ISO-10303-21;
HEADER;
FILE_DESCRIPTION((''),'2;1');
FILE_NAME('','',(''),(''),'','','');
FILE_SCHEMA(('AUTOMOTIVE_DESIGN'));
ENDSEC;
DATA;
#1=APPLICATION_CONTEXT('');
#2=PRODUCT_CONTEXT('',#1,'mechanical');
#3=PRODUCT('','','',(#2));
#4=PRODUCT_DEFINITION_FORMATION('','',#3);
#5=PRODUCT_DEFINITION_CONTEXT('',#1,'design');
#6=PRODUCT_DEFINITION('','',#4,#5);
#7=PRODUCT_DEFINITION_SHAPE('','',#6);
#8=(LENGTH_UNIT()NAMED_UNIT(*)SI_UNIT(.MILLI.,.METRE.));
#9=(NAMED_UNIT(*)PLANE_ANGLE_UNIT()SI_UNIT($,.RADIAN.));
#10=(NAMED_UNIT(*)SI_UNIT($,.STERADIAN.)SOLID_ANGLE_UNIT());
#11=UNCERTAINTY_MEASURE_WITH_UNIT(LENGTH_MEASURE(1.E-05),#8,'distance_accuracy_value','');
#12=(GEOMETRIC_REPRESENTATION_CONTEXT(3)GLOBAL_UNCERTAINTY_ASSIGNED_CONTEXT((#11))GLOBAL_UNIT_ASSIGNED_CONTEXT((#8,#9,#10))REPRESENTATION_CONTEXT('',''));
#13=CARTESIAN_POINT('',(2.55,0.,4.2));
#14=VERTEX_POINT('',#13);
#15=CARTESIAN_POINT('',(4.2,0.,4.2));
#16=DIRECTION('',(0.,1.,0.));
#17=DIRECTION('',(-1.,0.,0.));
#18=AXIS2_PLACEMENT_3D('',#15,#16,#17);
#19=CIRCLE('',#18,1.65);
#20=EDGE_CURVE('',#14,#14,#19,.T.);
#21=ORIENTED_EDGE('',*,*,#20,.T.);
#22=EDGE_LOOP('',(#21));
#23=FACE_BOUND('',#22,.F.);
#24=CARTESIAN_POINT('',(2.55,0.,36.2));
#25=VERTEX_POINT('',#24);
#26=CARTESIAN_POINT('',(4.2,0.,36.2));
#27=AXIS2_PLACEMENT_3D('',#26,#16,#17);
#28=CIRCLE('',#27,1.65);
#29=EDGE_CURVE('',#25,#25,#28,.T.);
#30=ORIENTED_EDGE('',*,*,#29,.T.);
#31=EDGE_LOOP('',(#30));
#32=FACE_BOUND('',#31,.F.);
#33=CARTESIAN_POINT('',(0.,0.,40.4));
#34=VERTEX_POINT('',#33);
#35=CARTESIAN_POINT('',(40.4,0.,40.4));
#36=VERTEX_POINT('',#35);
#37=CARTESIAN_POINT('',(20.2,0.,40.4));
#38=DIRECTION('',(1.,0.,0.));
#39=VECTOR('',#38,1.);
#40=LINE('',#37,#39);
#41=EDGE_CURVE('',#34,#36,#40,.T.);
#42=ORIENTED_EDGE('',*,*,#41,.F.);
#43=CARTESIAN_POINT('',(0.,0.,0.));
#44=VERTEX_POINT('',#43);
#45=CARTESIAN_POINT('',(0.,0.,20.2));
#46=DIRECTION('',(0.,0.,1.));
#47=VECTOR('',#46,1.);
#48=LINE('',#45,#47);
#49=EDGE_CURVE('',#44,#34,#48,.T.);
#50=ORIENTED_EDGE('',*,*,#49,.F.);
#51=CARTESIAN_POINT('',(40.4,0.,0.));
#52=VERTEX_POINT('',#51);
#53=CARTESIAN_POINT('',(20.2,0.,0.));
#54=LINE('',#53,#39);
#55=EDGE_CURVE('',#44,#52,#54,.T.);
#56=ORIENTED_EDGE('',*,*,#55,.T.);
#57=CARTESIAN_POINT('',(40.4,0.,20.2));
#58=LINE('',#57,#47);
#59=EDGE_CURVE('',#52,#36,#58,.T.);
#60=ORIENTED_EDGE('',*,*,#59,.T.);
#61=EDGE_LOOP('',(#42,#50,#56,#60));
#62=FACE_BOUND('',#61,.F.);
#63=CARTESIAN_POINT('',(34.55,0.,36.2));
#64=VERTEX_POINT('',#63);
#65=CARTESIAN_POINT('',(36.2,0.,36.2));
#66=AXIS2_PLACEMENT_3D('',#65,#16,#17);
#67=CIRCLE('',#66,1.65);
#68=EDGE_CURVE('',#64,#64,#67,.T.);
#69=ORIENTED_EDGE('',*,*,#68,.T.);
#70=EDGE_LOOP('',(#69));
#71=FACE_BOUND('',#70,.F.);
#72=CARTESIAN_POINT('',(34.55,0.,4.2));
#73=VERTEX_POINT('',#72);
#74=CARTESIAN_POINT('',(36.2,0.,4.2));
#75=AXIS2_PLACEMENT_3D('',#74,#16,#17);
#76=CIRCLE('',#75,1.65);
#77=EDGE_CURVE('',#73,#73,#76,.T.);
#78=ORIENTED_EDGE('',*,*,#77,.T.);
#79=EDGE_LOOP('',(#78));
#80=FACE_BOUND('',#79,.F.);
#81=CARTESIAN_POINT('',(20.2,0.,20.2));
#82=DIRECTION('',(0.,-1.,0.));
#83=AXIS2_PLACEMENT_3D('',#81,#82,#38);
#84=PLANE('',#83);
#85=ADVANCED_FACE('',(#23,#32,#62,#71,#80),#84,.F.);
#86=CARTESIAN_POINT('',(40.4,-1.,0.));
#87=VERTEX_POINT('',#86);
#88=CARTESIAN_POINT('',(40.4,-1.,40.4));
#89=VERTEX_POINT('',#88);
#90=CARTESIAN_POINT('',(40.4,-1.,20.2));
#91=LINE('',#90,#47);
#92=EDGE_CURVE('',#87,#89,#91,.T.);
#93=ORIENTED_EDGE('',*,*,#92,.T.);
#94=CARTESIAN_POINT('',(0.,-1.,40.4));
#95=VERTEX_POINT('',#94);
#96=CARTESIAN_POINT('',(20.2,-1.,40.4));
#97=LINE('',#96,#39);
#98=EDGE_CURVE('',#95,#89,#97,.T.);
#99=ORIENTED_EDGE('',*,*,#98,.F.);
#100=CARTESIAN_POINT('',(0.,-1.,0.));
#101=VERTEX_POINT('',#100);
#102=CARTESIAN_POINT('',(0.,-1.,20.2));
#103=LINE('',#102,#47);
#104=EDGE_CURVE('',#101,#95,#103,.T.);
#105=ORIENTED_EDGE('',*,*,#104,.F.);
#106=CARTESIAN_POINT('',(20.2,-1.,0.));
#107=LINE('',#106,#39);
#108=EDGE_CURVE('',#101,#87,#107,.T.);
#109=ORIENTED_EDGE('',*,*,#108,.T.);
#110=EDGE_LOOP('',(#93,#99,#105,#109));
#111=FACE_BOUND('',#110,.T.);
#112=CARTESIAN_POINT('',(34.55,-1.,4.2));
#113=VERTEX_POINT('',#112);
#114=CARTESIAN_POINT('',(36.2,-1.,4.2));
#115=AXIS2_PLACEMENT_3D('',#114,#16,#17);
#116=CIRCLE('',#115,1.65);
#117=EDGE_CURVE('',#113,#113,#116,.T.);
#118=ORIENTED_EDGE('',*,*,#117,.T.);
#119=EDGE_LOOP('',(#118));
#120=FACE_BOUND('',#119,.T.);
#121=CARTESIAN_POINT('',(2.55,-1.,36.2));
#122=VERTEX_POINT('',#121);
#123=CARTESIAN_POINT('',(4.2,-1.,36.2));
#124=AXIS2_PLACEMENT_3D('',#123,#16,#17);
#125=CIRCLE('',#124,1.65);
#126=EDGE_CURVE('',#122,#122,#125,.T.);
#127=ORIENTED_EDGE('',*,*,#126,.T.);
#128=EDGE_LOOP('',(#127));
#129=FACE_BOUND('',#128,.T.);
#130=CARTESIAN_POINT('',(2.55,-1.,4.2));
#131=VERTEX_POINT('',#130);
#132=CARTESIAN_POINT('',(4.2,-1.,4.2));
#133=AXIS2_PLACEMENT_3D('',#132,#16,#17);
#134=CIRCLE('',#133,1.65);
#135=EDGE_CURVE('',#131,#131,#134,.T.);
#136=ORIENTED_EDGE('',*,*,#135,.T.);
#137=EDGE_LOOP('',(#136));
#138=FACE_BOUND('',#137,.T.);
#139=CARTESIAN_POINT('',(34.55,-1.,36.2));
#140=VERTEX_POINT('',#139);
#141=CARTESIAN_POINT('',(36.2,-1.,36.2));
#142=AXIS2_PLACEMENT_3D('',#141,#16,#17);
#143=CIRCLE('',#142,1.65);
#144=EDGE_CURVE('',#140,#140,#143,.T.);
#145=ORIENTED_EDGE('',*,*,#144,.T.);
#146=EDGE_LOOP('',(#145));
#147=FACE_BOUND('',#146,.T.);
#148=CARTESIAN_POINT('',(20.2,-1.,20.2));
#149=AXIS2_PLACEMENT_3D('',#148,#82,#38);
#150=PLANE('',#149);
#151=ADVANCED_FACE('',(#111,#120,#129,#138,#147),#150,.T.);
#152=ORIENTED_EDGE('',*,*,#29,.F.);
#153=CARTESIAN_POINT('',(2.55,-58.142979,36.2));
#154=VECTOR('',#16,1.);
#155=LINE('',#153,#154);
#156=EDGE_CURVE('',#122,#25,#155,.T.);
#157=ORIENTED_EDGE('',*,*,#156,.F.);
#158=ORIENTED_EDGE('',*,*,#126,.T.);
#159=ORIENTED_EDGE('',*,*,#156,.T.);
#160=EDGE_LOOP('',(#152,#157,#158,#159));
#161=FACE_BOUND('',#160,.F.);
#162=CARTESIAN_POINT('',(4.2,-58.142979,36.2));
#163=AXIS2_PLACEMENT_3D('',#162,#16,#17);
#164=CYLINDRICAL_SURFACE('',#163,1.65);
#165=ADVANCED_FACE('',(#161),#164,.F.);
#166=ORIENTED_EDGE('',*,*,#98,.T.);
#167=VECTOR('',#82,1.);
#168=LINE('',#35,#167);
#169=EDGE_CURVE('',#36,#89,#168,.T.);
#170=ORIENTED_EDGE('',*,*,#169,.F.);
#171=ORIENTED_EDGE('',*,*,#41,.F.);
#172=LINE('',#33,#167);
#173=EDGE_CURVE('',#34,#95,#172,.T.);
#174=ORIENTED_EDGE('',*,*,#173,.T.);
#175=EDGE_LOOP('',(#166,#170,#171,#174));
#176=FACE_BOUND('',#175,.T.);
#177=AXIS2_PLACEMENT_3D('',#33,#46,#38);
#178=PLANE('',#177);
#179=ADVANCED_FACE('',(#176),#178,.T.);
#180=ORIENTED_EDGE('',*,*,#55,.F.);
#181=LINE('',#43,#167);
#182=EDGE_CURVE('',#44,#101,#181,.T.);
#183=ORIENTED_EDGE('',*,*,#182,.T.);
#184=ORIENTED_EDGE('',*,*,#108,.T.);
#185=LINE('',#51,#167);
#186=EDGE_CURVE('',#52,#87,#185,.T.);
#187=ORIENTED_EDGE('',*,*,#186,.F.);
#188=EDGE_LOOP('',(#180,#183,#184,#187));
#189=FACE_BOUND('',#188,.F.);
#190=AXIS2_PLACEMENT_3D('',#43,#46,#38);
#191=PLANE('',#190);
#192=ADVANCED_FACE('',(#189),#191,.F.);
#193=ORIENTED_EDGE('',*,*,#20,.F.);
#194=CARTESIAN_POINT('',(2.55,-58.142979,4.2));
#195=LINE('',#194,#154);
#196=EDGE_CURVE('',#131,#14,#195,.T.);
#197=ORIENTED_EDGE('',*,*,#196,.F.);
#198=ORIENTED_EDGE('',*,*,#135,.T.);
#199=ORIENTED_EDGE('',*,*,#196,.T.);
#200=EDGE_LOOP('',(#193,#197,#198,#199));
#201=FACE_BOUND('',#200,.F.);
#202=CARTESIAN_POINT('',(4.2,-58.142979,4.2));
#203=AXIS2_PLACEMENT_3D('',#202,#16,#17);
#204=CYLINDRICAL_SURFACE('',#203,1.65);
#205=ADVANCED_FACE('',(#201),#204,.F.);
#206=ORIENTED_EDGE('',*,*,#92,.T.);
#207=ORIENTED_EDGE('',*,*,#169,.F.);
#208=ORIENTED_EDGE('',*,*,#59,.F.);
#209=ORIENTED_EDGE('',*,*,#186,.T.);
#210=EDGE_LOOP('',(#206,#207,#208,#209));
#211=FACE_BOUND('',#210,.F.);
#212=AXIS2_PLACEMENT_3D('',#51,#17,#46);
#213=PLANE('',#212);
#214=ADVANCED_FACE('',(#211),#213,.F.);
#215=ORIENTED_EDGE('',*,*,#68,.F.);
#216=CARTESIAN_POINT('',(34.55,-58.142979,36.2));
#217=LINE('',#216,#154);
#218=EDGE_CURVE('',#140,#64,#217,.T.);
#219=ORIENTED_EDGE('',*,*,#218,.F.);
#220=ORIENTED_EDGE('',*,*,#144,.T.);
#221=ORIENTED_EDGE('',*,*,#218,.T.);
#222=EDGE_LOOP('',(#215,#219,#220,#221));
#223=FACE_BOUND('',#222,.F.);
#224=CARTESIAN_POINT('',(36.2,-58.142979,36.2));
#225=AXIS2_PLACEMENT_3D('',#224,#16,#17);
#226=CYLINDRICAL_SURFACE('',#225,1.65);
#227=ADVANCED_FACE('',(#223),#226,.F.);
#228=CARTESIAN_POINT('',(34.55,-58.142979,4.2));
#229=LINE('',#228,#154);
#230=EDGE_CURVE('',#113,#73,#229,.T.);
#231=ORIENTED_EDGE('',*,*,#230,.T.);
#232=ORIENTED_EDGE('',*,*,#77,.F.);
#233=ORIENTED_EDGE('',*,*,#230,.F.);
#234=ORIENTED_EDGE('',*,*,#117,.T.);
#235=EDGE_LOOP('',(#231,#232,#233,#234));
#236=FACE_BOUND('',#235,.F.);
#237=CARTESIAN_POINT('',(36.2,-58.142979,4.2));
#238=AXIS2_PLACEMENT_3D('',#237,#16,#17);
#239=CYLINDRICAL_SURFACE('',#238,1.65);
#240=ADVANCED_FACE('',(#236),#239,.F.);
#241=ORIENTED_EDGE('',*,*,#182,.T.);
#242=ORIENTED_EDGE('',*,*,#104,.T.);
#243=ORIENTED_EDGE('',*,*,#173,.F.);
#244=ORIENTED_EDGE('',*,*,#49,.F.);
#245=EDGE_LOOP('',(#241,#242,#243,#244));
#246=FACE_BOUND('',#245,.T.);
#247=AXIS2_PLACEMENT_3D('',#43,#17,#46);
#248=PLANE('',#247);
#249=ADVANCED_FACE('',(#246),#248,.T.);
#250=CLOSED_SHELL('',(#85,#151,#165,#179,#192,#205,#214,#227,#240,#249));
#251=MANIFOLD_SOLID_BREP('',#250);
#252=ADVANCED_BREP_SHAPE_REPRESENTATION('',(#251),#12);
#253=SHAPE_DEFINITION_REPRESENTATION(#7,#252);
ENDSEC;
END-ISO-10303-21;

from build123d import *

# Parameters (mm, degrees)
F0_W     = 40.4
F0_H     = 40.4
F1_DEPTH = 1
F3_D     = 3.3


with BuildPart() as f1:
    # F0 (on Front) → F1 (new body)
    with BuildSketch(Plane.XZ):
        with Locations((20.2, 20.2)):
            Rectangle(F0_W, F0_H)
    extrude(amount=F1_DEPTH)

    # F3 (through all)
    with Locations(Plane.XZ.offset(1)):
        with Locations((4.2, 36.2), (36.2, 36.2), (36.2, 4.2), (4.2, 4.2)):
            Hole(F3_D / 2)


solid = f1.part
